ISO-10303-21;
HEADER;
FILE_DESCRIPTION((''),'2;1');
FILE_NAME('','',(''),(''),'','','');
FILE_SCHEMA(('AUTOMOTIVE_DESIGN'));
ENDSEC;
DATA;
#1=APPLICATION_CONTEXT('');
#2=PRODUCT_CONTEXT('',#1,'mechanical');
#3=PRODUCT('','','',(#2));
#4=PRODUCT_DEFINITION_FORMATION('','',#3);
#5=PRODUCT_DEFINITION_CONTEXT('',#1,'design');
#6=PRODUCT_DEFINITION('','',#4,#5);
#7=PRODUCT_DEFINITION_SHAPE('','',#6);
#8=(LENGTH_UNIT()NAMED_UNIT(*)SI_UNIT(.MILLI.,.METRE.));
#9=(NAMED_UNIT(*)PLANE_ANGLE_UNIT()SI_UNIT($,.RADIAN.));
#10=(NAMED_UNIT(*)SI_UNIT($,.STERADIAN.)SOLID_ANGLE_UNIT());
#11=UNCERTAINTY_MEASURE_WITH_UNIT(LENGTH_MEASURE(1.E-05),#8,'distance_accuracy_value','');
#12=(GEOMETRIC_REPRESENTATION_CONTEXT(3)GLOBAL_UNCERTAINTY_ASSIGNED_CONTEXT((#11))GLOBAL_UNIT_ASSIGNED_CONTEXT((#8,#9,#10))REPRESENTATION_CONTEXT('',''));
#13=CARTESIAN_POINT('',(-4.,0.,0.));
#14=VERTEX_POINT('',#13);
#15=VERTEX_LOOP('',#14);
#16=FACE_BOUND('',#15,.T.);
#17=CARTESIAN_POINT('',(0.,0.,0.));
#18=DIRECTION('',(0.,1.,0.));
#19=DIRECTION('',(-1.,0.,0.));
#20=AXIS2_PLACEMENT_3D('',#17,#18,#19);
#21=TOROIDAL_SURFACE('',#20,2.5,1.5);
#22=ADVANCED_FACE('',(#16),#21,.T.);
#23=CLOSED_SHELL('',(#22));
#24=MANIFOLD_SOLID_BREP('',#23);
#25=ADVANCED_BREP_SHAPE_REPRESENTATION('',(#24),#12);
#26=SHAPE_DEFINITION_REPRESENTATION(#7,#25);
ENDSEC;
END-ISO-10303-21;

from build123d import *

# Parameters (mm, degrees)
SKETCH2_R = 1.5


with BuildPart() as part:
    # Sketch2 → Revolve1 (revolve)
    with BuildSketch(Plane.XY, mode=Mode.PRIVATE) as revolve1_sk:
        with Locations((2.5, 0)):
            Circle(SKETCH2_R)
    revolve(revolve1_sk.sketch.rotate(Axis((0, 4.996607078, 0), (0, -1, 0)), 180), axis=Axis((0, 4.996607078, 0), (0, -1, 0)))


solid = part.part
